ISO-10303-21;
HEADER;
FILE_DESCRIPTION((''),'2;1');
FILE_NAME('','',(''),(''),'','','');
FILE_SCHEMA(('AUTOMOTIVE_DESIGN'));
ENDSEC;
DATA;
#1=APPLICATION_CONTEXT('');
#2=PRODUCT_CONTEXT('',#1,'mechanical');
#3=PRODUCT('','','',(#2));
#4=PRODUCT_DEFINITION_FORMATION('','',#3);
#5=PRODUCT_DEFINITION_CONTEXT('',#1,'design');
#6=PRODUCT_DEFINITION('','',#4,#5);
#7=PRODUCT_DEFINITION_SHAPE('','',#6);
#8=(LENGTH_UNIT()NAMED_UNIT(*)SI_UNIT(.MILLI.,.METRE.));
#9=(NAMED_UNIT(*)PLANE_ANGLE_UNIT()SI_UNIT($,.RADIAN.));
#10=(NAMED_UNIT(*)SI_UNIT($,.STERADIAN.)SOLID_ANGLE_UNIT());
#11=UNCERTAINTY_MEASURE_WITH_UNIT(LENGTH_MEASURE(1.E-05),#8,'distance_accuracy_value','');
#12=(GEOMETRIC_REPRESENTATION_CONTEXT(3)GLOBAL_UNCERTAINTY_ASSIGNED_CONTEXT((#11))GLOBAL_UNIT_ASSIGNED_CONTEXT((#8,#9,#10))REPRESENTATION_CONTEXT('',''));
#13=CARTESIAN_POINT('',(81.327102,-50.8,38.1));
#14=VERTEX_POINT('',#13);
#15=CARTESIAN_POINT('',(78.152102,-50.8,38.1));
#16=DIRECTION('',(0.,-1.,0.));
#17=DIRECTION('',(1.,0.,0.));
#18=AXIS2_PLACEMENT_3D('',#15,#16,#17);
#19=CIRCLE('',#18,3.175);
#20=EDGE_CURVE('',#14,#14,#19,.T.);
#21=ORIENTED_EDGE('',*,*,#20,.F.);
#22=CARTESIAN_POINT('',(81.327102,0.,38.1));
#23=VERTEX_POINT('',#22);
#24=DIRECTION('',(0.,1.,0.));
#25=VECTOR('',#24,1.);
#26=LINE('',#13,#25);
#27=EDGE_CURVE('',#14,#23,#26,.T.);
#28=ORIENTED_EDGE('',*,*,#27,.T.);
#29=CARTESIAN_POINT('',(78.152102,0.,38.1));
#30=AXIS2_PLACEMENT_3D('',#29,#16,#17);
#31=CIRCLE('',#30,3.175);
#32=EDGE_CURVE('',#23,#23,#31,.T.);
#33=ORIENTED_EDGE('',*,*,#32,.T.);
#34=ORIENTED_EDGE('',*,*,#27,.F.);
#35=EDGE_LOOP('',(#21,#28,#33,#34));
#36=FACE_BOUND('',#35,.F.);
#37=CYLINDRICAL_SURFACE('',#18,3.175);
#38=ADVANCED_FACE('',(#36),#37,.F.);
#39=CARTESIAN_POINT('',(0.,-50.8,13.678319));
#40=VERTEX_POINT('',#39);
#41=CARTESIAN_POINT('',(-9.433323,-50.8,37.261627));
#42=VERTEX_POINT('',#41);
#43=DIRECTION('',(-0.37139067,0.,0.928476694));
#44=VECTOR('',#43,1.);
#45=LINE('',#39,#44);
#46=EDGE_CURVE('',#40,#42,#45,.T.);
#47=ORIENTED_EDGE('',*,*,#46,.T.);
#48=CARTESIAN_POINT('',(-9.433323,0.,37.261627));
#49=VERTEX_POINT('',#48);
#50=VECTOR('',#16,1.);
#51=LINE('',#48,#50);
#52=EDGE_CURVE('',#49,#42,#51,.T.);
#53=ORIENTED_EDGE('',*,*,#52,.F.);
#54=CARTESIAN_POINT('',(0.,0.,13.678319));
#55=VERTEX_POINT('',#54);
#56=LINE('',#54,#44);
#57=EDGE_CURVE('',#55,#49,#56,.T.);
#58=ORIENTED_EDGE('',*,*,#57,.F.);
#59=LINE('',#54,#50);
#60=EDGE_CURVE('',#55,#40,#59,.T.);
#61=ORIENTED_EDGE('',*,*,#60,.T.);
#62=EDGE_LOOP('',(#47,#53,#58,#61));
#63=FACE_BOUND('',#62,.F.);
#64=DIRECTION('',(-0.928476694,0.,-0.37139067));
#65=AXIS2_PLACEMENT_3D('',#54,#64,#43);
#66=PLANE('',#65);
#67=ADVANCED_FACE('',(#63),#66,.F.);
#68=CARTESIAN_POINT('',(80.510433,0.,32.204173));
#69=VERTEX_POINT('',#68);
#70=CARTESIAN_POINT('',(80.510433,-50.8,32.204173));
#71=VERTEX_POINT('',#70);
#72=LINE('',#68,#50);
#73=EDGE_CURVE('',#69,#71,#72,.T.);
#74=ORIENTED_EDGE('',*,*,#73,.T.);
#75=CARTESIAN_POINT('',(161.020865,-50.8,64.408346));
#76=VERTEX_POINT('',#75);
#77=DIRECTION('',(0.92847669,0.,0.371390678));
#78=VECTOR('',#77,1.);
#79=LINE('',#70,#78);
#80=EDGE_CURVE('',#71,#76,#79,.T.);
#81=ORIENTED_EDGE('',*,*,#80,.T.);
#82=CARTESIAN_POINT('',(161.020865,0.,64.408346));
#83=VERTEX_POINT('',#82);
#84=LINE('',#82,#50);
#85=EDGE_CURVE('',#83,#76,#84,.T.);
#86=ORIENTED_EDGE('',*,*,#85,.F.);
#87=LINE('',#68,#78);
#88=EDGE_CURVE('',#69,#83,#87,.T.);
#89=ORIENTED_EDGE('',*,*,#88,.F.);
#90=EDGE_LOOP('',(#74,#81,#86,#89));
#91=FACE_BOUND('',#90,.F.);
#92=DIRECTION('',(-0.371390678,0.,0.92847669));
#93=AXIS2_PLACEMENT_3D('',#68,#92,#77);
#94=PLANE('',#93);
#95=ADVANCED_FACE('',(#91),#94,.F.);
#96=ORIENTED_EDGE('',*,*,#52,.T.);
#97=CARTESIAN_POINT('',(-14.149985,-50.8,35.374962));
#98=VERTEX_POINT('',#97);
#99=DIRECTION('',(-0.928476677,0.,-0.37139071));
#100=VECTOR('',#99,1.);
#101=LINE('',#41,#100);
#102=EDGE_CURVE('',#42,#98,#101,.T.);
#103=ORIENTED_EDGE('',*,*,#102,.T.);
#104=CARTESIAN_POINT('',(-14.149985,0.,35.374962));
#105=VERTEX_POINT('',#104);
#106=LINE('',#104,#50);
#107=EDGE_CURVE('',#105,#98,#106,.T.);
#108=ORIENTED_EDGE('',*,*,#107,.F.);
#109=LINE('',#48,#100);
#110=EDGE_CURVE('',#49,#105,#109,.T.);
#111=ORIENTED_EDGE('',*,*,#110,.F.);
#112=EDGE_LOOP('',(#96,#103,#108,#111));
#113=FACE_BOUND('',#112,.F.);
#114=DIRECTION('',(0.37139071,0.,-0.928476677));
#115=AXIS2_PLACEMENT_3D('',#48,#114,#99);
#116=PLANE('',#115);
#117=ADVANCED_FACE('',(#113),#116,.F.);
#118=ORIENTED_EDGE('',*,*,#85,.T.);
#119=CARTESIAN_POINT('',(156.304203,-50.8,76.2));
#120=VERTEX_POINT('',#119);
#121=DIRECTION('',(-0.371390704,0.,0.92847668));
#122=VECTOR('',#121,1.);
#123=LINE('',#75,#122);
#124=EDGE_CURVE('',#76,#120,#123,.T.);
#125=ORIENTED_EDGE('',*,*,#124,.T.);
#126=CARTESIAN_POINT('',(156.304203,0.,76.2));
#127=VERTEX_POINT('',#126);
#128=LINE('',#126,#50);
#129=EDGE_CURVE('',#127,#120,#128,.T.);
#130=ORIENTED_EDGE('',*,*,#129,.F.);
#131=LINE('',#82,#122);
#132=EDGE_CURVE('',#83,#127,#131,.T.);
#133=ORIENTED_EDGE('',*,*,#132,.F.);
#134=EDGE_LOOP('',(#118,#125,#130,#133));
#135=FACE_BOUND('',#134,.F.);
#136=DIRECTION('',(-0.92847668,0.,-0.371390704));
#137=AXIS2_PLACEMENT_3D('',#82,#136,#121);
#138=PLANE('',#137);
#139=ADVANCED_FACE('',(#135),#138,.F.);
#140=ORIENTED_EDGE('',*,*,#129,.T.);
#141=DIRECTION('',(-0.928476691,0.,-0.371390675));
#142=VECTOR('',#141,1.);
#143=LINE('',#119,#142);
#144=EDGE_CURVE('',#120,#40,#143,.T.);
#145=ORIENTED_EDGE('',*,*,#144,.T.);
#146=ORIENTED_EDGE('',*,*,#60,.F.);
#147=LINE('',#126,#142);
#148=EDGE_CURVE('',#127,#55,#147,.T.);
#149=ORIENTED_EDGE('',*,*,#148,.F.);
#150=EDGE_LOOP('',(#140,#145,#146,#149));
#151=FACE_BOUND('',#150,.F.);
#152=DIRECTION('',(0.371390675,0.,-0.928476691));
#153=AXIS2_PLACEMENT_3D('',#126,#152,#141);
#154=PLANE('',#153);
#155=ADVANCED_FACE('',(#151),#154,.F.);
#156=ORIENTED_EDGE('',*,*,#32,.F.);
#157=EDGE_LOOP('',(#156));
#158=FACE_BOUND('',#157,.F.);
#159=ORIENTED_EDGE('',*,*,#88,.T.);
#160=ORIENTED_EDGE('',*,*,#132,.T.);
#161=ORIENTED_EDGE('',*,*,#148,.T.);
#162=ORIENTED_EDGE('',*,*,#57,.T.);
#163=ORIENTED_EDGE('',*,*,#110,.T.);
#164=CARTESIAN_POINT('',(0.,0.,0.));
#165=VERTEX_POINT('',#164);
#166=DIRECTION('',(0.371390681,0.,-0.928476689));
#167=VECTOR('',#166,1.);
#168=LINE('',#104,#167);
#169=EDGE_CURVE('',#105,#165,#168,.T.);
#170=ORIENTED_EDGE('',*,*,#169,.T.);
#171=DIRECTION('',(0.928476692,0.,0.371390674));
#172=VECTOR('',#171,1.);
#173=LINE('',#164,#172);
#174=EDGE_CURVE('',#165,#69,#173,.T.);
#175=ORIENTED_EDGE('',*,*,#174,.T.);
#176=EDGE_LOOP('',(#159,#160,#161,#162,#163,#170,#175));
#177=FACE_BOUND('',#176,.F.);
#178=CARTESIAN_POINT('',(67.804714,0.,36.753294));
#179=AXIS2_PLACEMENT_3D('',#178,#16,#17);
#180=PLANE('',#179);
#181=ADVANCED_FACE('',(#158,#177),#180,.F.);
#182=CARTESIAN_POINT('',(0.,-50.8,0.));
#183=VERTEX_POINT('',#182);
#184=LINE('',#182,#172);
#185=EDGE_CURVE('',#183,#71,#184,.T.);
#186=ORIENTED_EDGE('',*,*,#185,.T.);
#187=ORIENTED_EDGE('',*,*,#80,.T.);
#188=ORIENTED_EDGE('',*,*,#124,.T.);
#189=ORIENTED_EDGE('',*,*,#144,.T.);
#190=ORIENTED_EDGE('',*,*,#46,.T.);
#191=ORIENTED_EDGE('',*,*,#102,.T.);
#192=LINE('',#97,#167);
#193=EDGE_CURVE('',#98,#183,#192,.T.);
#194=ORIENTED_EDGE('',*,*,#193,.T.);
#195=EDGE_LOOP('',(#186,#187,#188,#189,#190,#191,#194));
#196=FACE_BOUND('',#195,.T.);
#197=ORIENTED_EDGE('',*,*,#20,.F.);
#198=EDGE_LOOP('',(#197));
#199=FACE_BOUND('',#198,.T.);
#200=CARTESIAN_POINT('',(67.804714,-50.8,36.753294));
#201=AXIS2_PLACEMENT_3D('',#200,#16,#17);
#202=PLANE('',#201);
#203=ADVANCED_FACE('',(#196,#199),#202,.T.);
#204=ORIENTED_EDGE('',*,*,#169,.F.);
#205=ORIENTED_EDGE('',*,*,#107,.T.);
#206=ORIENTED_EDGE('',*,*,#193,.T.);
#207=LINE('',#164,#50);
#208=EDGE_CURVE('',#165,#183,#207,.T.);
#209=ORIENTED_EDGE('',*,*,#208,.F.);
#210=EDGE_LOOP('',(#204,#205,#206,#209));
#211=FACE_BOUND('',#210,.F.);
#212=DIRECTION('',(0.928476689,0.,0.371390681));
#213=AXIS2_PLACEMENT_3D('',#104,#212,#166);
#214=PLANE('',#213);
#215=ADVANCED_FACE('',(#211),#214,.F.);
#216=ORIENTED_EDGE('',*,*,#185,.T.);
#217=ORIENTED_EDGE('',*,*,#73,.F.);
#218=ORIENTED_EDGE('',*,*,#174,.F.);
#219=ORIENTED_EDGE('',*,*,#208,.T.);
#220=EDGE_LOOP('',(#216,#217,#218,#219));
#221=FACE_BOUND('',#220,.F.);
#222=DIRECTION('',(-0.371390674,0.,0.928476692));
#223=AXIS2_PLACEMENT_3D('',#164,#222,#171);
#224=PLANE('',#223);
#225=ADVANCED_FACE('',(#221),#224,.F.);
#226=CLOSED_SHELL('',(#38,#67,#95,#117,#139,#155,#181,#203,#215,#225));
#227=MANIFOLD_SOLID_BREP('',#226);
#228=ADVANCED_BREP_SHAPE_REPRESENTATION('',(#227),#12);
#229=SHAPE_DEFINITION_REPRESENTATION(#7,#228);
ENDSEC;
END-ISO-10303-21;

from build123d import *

# Parameters (mm, degrees)
F1_DEPTH = 50.8
F3_DEPTH = 50.8
F4_R     = 3.175
F5_DEPTH = 50.8


with BuildPart() as f1:
    # F0 (on Front) → F1 (new body)
    with BuildSketch(Plane.XZ):
        Polygon((104.640433, 0), (80.510433, 32.204173), (56.380433, 0), (61.460433, 0), (80.510433, 25.424347), (99.560433, 0), align=None)
        Polygon((-14.149985, 35.374962), (0, 0), (80.510433, 32.204173), (161.020865, 64.408346), (156.304203, 76.2), (0, 13.678319), (-9.433323, 37.261627), align=None)
    extrude(amount=F1_DEPTH)

    # F2 (on face) → F3 (cut)
    with BuildSketch(Plane.XZ.offset(50.8)):
        Polygon((117.38383, 0), (80.510433, 32.204173), (41.978721, -5.036601), align=None)
    extrude(amount=-F3_DEPTH, mode=Mode.SUBTRACT)

    # F4 (on face) → F5 (cut)
    with BuildSketch(Plane.XZ.offset(50.8)):
        with Locations((78.152102, 38.1)):
            Circle(F4_R)
    extrude(amount=-F5_DEPTH, mode=Mode.SUBTRACT)


solid = f1.part
